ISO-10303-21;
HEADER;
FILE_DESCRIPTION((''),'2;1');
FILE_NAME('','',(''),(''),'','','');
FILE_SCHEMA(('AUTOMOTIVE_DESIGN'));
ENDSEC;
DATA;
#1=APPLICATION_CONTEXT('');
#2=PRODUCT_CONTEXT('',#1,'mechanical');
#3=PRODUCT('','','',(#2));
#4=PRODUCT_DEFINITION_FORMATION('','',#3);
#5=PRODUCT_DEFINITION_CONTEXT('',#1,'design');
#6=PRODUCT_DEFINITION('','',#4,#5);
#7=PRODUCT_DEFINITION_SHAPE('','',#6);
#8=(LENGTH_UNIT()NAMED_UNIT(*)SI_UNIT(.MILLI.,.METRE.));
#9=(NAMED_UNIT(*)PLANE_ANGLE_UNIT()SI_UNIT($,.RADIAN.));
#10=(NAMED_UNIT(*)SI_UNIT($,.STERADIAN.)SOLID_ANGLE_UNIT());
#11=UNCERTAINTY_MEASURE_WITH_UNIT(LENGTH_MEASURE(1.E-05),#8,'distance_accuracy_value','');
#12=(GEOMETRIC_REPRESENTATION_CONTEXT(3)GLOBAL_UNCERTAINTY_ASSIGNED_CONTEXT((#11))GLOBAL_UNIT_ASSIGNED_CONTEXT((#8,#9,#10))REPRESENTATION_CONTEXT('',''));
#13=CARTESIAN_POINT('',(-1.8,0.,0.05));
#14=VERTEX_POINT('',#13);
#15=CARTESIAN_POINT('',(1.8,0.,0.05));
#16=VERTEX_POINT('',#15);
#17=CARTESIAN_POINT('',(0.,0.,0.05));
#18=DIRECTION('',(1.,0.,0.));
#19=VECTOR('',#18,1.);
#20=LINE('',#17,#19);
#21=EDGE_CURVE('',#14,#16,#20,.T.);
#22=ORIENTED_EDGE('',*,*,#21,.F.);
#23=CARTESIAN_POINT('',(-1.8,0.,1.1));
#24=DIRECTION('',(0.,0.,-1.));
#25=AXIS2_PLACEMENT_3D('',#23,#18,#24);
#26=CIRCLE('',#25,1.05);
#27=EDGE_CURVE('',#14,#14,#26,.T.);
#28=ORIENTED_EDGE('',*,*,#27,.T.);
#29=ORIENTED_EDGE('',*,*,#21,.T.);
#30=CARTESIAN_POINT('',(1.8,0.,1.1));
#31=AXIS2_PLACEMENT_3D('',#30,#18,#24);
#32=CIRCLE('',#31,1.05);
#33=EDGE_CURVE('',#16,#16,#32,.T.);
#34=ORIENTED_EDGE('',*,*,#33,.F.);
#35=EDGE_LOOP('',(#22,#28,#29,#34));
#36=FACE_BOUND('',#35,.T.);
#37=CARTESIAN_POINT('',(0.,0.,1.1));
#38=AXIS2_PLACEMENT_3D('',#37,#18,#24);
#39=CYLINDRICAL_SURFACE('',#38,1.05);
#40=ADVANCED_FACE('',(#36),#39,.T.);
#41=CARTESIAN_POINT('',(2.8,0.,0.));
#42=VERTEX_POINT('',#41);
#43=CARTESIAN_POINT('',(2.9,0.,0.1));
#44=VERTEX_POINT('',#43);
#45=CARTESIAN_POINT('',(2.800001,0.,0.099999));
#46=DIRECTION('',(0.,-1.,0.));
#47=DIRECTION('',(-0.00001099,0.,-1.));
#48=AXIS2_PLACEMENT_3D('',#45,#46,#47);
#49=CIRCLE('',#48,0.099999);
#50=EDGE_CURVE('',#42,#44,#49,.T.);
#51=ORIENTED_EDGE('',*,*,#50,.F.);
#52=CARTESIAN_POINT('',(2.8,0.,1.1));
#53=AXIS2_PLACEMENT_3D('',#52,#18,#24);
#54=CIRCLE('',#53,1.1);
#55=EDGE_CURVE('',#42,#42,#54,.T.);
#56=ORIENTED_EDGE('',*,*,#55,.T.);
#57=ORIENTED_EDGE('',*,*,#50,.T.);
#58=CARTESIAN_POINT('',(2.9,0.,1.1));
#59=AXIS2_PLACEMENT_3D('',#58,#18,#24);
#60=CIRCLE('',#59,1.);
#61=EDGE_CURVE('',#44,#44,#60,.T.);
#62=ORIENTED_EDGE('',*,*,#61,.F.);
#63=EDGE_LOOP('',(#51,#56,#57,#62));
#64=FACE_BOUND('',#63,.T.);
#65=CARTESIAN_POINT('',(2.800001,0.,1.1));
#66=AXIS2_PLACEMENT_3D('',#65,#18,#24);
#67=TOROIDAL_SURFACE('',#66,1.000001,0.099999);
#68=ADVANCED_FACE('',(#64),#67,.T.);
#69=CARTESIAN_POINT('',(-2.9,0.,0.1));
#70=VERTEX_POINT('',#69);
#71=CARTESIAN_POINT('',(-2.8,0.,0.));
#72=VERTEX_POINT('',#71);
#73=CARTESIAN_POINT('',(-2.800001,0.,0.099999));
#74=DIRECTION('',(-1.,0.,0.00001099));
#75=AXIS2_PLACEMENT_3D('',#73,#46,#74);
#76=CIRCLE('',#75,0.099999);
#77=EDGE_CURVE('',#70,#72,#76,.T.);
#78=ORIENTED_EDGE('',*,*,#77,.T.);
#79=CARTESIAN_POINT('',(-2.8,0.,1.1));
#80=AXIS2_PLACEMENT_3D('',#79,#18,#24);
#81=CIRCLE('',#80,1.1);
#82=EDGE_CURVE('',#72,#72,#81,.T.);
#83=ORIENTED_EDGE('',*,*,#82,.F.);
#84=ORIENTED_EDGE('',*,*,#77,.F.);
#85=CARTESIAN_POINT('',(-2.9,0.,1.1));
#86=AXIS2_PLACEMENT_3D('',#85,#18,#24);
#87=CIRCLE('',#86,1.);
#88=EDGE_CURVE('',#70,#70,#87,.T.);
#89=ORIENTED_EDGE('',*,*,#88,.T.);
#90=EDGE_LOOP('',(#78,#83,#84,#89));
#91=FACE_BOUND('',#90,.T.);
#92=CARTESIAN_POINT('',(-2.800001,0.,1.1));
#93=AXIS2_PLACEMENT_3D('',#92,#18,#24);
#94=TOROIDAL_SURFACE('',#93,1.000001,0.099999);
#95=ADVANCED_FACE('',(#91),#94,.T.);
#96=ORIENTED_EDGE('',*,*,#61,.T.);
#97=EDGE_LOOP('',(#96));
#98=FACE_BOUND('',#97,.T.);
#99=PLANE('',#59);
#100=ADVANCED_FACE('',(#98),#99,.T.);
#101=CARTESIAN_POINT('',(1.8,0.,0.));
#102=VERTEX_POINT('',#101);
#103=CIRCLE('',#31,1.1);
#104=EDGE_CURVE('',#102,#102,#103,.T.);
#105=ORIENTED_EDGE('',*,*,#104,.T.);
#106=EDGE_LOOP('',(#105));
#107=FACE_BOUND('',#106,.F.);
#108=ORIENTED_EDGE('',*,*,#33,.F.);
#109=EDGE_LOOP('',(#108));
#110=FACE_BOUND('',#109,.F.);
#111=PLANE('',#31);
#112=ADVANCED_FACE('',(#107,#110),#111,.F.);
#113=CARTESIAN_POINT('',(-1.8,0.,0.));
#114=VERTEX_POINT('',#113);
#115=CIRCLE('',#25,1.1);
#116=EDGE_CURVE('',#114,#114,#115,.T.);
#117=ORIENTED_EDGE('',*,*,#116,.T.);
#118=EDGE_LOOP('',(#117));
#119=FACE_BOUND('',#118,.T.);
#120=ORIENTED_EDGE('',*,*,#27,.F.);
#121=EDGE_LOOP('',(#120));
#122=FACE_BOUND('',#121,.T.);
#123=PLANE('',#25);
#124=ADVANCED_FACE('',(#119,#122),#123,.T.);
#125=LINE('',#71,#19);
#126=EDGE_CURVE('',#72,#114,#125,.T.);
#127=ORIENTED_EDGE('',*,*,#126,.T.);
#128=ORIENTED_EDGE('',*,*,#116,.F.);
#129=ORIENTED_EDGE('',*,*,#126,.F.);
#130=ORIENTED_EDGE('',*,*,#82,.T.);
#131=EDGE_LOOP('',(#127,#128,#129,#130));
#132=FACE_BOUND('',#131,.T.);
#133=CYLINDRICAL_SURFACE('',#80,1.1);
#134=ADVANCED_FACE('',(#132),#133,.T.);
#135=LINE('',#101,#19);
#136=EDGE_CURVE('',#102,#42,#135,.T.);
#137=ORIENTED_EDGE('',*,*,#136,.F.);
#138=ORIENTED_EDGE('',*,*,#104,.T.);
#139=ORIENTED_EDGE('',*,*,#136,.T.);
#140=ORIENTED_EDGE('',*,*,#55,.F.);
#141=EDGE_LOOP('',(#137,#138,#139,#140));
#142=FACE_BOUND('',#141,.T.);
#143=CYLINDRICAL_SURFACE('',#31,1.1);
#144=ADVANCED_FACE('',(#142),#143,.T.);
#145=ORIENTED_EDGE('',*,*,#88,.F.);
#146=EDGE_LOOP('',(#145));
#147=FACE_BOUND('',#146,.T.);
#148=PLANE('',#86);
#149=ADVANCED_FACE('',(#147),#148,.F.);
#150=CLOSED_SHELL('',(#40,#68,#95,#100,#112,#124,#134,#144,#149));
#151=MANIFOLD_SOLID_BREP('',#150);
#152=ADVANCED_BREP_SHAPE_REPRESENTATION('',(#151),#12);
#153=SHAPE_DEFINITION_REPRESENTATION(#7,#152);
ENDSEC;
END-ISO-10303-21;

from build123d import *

# Parameters (mm, degrees)
SKETCH_W = 4.7
SKETCH_H = 1.05


with BuildPart() as revolution:
    # Sketch → Revolution (revolve)
    with BuildSketch(Plane.XZ):
        with Locations((0, 0.575)):
            Rectangle(SKETCH_W, SKETCH_H)
    revolve(axis=Axis((-15.061842, 0, 1.1), (1, 0, 0)))


with BuildPart() as fusion:
    # Sketch001 → Revolution001 (revolve)
    with BuildSketch(Plane.XZ):
        with BuildLine():
            Line((-2.8, 0), (-1.8, 0))
            Line((-1.8, 0), (-1.8, 1))
            Line((-1.8, 1), (1.8, 1))
            Line((1.8, 0), (1.8, 1))
            Line((1.8, 0), (2.8, 0))
            ThreePointArc((2.8, 0), (2.870711, 0.029289), (2.9, 0.1))
            Line((2.9, 0.1), (2.9, 1.1))
            Line((-2.9, 1.1), (2.9, 1.1))
            Line((-2.9, 1.1), (-2.9, 0.1))
            ThreePointArc((-2.9, 0.1), (-2.870711, 0.029289), (-2.8, 0))
        make_face()
    revolve(axis=Axis((-7.1, 0, 1.1), (1, 0, 0)))

    # Fusion: union Revolution
    add(revolution.part)


solid = fusion.part
